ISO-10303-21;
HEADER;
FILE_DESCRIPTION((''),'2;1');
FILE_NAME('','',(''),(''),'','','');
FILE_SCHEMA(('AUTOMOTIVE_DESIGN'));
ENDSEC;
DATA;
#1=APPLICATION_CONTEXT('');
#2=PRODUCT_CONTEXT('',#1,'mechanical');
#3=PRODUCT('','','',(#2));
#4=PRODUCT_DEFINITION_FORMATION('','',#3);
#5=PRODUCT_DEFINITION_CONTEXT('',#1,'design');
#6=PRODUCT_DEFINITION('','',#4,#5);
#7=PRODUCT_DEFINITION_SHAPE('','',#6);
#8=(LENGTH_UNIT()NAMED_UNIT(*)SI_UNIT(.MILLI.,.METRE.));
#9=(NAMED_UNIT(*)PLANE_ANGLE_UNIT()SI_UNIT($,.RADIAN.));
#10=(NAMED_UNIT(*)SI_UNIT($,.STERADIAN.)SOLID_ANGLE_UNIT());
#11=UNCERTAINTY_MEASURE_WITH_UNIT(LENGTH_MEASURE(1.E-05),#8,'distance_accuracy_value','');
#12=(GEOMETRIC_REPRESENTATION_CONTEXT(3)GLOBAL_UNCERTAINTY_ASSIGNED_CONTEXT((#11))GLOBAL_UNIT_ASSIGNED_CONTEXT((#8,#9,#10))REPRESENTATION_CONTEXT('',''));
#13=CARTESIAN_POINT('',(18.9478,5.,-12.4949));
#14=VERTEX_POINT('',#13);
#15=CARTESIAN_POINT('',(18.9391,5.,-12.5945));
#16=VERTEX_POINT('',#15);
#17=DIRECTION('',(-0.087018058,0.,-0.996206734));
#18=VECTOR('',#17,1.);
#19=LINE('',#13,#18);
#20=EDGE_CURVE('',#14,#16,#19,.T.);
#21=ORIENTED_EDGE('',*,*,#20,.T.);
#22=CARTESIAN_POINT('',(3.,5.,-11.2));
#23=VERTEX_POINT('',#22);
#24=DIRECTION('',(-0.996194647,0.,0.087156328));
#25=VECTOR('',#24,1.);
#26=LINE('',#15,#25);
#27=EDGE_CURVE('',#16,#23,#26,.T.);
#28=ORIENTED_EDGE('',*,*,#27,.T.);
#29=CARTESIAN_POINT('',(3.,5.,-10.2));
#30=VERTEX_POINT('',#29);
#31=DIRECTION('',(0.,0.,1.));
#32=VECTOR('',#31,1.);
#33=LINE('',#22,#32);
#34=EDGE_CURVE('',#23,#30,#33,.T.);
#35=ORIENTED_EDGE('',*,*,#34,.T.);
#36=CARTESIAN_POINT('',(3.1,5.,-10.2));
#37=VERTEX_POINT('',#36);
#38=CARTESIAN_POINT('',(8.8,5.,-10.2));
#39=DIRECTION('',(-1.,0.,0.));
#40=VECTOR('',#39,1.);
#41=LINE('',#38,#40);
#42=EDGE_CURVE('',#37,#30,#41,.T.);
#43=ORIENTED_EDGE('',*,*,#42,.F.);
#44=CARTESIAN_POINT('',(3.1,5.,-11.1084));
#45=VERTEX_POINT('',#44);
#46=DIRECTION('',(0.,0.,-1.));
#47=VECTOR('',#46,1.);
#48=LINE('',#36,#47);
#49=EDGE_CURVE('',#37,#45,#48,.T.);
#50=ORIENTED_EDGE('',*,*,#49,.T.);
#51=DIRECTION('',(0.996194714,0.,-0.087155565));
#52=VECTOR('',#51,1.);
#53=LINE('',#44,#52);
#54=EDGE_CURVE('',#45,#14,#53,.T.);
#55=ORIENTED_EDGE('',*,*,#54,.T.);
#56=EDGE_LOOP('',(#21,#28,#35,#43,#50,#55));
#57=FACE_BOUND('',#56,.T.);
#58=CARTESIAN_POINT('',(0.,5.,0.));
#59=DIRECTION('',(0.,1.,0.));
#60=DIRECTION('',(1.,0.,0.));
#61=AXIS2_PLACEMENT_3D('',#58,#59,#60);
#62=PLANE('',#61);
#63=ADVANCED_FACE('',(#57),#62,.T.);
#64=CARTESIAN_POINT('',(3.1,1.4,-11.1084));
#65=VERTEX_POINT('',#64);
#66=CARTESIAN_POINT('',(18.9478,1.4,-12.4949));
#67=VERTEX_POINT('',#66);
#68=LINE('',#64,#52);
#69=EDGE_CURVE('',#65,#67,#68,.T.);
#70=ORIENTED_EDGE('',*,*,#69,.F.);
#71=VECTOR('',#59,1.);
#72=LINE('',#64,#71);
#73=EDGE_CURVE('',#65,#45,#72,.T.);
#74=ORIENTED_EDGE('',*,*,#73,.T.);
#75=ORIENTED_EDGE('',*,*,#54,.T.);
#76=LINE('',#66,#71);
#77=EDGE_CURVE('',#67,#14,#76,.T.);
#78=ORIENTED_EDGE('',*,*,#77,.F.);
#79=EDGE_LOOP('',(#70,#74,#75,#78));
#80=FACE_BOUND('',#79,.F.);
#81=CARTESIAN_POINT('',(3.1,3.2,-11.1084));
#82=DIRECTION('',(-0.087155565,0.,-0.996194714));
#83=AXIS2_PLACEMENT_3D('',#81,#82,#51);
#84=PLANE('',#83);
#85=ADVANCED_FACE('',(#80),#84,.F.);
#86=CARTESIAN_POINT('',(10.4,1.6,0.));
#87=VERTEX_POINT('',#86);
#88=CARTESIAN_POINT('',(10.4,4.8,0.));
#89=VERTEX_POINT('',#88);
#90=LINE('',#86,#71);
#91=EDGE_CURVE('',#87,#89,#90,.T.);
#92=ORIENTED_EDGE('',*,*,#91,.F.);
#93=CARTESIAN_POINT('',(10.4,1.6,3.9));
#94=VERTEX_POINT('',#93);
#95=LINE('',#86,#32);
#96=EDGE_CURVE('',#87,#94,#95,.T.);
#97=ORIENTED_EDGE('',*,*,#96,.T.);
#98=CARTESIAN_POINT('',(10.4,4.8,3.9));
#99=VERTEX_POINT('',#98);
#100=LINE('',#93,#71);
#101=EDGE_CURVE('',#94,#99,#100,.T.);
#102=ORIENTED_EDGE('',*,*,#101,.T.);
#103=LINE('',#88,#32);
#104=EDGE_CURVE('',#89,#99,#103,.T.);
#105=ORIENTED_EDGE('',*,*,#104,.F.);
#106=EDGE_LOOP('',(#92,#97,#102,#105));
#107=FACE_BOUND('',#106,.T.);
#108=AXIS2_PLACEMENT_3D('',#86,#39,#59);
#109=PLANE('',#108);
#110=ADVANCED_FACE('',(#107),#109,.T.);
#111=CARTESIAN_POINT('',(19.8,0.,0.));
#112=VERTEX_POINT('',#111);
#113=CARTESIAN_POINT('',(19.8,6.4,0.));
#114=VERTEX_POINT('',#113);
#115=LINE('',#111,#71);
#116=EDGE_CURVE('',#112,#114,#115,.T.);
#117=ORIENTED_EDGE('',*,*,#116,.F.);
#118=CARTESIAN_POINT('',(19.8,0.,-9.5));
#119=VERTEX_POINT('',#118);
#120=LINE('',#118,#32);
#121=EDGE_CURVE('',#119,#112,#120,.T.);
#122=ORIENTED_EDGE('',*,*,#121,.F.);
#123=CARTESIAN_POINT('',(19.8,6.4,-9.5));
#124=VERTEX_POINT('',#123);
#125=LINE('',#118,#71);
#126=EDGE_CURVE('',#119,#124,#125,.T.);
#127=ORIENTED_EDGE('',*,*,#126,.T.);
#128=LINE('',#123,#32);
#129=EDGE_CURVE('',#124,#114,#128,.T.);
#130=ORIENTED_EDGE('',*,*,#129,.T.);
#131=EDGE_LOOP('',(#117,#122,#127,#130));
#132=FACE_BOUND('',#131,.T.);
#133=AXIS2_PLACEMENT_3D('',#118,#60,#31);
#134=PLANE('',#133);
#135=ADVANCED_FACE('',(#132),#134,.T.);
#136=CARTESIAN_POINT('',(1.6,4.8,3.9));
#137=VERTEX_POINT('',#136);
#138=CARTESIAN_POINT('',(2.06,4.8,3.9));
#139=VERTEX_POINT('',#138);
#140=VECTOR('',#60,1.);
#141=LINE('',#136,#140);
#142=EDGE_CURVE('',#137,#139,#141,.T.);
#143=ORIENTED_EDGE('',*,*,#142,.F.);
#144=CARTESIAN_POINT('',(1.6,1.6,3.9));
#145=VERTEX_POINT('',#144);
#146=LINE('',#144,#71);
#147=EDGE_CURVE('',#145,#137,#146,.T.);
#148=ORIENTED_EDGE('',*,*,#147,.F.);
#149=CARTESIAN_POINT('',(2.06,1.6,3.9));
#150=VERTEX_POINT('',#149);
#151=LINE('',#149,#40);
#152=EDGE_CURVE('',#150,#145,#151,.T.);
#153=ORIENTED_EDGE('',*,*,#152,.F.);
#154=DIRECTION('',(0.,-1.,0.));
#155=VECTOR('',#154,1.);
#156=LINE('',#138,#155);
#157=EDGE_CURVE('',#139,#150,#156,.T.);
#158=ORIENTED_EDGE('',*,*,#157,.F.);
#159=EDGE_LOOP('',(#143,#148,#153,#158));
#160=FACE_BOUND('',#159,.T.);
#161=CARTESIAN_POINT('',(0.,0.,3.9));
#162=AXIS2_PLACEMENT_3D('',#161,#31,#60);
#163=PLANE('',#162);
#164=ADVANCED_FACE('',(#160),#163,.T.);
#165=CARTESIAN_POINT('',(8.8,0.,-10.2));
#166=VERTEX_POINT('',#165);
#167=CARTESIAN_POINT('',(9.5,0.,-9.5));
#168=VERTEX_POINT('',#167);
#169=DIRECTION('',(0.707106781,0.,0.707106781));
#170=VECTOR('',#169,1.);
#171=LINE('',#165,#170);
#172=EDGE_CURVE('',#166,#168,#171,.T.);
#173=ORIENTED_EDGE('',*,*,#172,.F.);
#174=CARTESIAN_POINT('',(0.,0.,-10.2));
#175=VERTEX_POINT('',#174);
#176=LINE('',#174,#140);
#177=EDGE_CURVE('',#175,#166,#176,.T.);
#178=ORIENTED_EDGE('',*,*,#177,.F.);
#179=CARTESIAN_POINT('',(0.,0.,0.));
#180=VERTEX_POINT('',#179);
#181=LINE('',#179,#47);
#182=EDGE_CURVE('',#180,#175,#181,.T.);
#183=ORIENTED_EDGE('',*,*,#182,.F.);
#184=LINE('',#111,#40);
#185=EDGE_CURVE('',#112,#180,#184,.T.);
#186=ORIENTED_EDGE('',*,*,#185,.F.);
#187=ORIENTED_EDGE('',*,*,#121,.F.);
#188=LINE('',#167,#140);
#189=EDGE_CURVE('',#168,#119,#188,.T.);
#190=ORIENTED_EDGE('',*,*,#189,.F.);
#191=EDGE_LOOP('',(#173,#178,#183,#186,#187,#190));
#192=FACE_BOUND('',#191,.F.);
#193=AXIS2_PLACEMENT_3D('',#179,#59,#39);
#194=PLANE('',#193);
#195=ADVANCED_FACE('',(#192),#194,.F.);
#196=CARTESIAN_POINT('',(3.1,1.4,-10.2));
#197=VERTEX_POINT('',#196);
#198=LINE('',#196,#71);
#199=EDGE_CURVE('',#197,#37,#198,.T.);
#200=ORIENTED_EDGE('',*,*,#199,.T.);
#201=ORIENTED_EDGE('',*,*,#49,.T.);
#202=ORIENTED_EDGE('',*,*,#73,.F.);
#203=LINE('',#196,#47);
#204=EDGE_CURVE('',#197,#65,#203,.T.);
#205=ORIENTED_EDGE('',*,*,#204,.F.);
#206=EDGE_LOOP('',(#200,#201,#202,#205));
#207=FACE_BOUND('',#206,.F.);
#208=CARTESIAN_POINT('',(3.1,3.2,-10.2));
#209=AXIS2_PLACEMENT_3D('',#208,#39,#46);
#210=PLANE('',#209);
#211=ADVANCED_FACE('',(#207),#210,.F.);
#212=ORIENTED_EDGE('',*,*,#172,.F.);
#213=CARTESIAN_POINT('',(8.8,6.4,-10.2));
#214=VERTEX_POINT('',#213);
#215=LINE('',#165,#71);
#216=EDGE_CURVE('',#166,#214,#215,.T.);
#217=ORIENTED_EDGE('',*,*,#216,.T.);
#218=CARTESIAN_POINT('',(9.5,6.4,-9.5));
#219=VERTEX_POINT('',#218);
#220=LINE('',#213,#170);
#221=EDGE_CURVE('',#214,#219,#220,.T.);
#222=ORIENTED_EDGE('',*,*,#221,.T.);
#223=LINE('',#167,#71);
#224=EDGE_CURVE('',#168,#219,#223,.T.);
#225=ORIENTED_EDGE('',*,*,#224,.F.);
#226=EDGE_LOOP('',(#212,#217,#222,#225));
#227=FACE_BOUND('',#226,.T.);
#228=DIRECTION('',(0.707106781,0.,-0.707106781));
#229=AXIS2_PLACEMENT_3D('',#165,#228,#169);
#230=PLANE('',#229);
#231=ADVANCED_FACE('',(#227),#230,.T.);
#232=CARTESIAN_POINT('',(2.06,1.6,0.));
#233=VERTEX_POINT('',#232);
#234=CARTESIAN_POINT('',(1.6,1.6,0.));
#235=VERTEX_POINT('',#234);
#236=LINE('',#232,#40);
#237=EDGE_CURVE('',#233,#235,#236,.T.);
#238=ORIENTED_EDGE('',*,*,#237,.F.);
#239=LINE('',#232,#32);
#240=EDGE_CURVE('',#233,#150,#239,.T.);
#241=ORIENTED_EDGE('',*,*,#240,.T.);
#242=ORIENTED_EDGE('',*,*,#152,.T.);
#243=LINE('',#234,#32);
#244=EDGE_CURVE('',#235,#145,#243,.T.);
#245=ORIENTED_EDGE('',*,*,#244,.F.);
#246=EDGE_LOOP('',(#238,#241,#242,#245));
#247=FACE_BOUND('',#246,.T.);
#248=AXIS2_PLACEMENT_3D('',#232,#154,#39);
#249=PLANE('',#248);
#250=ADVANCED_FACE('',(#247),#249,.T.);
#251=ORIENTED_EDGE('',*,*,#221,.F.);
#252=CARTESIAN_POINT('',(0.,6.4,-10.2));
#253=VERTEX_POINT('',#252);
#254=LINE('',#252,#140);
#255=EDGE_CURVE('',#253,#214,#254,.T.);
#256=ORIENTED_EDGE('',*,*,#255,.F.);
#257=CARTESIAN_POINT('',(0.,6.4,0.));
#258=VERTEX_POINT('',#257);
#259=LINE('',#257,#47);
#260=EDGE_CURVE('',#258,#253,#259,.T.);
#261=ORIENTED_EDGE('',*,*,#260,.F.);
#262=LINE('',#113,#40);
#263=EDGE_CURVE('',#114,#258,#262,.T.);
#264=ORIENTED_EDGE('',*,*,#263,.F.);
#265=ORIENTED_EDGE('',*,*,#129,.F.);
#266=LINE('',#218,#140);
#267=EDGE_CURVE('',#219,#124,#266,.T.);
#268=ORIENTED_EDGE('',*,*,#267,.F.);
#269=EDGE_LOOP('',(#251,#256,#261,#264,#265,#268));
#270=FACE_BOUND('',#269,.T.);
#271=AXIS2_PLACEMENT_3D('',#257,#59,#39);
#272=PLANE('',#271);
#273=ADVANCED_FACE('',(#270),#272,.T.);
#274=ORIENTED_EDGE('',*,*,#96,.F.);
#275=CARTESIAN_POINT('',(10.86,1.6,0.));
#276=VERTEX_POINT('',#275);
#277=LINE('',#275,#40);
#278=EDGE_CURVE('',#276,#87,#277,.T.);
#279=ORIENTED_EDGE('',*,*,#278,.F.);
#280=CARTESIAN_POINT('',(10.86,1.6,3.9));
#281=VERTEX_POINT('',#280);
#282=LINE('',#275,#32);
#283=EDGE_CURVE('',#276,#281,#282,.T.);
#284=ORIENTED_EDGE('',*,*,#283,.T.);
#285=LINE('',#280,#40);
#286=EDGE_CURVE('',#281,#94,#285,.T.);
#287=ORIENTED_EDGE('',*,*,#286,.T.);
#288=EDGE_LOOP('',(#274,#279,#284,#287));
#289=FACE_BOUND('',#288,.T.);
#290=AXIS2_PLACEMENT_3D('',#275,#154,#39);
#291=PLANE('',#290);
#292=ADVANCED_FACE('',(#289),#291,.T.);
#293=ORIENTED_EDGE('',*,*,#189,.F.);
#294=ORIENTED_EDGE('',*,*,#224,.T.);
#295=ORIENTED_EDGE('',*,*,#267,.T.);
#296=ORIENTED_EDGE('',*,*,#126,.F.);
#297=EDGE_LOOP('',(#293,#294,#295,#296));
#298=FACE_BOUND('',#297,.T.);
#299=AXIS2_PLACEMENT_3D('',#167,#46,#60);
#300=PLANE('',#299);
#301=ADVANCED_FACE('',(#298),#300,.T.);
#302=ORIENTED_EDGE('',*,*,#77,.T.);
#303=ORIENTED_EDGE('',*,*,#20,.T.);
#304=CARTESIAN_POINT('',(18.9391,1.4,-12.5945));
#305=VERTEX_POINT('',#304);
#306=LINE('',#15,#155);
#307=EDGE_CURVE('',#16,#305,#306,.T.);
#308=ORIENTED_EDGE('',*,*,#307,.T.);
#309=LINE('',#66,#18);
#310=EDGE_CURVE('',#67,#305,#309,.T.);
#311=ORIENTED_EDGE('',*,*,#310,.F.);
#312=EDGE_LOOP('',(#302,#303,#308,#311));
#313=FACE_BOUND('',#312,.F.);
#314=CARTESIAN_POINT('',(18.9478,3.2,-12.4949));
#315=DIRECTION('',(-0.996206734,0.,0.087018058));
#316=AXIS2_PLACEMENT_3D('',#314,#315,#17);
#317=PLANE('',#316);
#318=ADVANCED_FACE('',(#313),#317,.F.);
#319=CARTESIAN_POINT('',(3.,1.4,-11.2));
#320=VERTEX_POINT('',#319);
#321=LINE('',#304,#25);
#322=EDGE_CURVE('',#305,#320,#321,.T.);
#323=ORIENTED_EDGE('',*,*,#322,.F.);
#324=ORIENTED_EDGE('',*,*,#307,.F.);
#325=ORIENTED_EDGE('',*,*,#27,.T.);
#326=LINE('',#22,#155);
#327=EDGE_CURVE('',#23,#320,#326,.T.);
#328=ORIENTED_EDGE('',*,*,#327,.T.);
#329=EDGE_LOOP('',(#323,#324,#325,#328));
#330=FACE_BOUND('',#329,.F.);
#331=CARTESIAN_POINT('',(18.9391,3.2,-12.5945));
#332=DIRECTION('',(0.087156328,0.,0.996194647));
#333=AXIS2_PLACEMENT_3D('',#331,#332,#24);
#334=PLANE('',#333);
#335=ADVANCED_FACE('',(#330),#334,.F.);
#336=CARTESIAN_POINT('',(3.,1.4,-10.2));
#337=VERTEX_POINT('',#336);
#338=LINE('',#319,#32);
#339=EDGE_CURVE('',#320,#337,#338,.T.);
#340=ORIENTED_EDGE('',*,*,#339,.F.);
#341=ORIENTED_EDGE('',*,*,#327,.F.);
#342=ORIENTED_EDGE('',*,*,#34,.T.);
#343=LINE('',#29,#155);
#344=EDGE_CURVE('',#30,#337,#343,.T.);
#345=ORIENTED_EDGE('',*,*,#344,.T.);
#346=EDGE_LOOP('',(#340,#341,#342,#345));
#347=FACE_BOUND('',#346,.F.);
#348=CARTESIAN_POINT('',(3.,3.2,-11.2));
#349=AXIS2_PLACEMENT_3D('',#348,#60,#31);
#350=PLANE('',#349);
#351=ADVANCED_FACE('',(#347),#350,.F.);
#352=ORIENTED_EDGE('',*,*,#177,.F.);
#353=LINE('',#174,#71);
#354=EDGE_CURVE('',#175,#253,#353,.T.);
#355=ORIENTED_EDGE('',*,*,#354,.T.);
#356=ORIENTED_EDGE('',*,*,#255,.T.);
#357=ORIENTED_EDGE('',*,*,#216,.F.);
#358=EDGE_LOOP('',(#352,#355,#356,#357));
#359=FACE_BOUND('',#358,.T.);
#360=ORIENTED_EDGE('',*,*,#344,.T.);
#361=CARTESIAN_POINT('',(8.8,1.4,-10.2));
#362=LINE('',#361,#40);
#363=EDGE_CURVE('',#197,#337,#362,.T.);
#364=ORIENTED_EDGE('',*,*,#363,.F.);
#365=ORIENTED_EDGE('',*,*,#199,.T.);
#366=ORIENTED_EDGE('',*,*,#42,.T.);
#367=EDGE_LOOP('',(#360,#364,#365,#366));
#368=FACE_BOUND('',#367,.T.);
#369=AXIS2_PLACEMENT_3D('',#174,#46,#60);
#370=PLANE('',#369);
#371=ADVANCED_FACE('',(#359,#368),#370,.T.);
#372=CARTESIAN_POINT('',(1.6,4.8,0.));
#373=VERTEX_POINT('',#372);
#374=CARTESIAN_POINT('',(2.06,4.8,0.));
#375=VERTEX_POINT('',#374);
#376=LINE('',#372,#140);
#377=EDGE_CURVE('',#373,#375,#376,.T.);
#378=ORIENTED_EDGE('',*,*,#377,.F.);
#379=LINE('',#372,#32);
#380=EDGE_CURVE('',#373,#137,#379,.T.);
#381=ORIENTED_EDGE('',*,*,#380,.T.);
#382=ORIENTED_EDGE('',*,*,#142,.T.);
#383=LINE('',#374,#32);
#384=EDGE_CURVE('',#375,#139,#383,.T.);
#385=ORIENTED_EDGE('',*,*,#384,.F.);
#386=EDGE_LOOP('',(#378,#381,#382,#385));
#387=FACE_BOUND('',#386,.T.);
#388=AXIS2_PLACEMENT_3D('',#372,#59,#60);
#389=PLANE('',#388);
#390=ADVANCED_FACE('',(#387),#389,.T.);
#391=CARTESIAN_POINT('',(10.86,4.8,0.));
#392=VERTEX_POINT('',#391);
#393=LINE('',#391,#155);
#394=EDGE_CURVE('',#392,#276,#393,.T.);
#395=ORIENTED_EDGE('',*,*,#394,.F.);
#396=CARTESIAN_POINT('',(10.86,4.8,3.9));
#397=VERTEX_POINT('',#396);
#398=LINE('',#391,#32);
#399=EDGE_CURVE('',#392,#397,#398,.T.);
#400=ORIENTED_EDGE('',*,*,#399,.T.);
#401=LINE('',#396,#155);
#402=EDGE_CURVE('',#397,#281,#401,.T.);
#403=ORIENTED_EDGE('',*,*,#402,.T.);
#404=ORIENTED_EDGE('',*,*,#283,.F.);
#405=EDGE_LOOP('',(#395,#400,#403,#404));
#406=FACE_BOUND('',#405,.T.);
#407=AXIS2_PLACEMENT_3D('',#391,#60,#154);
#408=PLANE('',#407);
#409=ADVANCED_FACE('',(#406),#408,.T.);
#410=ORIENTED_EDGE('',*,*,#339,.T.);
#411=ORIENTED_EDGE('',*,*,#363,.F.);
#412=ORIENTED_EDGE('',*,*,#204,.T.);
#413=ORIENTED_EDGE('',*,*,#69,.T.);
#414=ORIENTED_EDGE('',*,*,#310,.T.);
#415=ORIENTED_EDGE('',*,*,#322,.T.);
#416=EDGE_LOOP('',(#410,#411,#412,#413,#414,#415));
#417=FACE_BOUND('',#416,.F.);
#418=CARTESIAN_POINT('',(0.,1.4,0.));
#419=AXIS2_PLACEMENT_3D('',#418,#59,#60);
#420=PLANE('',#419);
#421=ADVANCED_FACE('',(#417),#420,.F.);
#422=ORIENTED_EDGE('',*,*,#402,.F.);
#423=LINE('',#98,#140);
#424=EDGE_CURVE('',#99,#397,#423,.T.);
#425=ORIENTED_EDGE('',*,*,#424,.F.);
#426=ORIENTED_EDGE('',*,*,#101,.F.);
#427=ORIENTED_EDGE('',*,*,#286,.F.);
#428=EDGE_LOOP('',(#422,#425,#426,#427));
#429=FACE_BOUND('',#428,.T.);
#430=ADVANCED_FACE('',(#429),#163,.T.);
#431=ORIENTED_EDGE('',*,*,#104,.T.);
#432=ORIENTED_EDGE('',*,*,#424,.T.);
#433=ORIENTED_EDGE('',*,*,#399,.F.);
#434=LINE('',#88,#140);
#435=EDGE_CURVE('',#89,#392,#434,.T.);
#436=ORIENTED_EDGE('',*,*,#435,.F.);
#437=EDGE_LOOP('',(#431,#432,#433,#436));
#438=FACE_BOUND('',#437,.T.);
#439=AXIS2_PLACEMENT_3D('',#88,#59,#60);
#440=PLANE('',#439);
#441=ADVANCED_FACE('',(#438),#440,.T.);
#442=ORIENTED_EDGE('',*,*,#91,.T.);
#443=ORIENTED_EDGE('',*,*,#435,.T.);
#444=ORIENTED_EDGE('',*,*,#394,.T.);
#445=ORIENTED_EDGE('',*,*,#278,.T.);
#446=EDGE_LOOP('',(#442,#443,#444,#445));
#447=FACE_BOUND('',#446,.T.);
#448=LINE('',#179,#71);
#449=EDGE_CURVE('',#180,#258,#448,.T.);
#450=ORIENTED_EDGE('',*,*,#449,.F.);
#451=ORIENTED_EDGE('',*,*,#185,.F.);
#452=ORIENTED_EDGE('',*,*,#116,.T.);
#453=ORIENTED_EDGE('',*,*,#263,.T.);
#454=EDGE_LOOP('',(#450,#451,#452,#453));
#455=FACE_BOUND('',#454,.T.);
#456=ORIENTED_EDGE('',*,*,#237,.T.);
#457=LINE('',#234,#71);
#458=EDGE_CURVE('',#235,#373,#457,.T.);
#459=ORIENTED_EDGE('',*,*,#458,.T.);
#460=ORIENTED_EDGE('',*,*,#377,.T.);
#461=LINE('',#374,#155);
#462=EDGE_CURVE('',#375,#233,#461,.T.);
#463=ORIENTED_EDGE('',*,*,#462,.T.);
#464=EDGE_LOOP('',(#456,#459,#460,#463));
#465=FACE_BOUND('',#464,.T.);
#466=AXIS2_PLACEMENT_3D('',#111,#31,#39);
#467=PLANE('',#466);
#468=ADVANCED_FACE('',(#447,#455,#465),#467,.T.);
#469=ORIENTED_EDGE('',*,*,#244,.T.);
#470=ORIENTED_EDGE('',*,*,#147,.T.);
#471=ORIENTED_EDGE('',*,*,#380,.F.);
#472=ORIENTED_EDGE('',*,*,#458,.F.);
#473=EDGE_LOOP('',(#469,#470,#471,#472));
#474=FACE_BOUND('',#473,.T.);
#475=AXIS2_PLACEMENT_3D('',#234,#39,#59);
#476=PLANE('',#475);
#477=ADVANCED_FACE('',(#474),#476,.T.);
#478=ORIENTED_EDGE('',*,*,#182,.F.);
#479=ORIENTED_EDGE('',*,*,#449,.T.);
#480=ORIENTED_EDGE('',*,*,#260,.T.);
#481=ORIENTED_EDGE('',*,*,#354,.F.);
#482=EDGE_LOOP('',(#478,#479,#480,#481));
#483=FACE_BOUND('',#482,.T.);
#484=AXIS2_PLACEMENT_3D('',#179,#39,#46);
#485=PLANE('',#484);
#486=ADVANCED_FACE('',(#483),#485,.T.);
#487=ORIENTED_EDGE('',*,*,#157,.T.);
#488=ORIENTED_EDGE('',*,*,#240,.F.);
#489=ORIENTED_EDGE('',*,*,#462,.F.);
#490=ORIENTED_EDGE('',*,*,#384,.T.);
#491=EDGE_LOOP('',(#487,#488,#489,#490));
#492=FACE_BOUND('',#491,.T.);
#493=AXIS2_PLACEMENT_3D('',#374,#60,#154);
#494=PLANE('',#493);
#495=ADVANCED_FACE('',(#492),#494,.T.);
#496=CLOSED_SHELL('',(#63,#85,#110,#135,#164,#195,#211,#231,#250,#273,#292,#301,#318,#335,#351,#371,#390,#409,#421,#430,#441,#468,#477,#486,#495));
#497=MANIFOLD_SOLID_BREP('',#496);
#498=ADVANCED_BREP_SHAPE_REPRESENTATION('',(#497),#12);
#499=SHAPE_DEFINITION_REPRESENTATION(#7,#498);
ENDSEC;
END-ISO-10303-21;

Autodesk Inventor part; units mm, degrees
ref_plane "YZ Plane" through (0, 0, 0) normal (1, 0, 0) x (0, 1, 0)
ref_plane "XZ Plane" through (0, 0, 0) normal (0, 1, 0) x (-1, 0, 0)
sketch "Sketch1" plane through (0, 0, 0) normal (0, 1, 0) x (-1, 0, 0)
  line L0 (0, 0) -> (0, -10.2)
  line L1 (0, -10.2) -> (-8.8, -10.2)
  line L2 (-8.8, -10.2) -> (-9.5, -9.5)
  line L3 (-9.5, -9.5) -> (-19.8, -9.5)
  line L4 (-19.8, -9.5) -> (-19.8, 0)
  line L5 (-19.8, 0) -> (0, 0)
  dimension "d0" = 10.2
  dimension "d1" = 9.5
  dimension "ss5glfLength" = 19.8
  dimension "d4" = 8.8
  dimension "d5" = 135
extrude "Extrusion1" add sketch "Sketch1" along normal blind 6.4
sketch "Sketch2" plane through (0, 0, 0) normal (0, 0, 1) x (1, 0, 0)
  line L0 (1.6, 4.8) -> (2.06, 4.8)
  line L1 (2.06, 4.8) -> (2.06, 1.6)
  line L2 (2.06, 1.6) -> (1.6, 1.6)
  line L3 (1.6, 1.6) -> (1.6, 4.8)
  line L4 (10.4, 4.8) -> (10.86, 4.8)
  line L5 (10.86, 4.8) -> (10.86, 1.6)
  line L6 (10.86, 1.6) -> (10.4, 1.6)
  line L7 (10.4, 1.6) -> (10.4, 4.8)
  line L8 (0, 0) -> (0, 6.4) projected
  line L9 (19.8, 0) -> (0, 0) projected
  dimension "d8" = 0.46
  dimension "pinWidth" = 3.2
  dimension "d10" = 1.6
  dimension "d11" = 8.8
  dimension "d12" = 1.6
extrude "Extrusion2" add sketch "Sketch2" along normal blind 3.9
ref_plane "Work Plane1" through (0, 3.2, 0) normal (0, 1, 0) x (1, 0, 0)
sketch "Sketch3" plane through (0, 3.2, 0) normal (0, 1, 0) x (1, 0, 0)
  line L0 (8.8, 10.2) -> (0, 10.2) projected
  line L1 (3.1, 10.2) -> (3.1, 11.1084)
  line L2 (3.1, 11.1084) -> (18.9478, 12.4949)
  line L3 (18.9478, 12.4949) -> (18.9391, 12.5945)
  line L4 (18.9391, 12.5945) -> (3, 11.2)
  line L5 (3, 11.2) -> (3, 10.2)
  line L6 (0, 10.2) -> (0, 0) projected
  dimension "d15" = 16
  dimension "d16" = 1
  dimension "d17" = 0.1
  dimension "d18" = 0.1
  dimension "d19" = 95
  dimension "d20" = 3
extrude "Extrusion3" add sketch "Sketch3" along normal mid plane 3.6
equation "\"d12\" = -0.5 * pinWidth + 0.5 * width"
equation "\"width\" = 6.4"
properties part number "SS-5GL-F"
